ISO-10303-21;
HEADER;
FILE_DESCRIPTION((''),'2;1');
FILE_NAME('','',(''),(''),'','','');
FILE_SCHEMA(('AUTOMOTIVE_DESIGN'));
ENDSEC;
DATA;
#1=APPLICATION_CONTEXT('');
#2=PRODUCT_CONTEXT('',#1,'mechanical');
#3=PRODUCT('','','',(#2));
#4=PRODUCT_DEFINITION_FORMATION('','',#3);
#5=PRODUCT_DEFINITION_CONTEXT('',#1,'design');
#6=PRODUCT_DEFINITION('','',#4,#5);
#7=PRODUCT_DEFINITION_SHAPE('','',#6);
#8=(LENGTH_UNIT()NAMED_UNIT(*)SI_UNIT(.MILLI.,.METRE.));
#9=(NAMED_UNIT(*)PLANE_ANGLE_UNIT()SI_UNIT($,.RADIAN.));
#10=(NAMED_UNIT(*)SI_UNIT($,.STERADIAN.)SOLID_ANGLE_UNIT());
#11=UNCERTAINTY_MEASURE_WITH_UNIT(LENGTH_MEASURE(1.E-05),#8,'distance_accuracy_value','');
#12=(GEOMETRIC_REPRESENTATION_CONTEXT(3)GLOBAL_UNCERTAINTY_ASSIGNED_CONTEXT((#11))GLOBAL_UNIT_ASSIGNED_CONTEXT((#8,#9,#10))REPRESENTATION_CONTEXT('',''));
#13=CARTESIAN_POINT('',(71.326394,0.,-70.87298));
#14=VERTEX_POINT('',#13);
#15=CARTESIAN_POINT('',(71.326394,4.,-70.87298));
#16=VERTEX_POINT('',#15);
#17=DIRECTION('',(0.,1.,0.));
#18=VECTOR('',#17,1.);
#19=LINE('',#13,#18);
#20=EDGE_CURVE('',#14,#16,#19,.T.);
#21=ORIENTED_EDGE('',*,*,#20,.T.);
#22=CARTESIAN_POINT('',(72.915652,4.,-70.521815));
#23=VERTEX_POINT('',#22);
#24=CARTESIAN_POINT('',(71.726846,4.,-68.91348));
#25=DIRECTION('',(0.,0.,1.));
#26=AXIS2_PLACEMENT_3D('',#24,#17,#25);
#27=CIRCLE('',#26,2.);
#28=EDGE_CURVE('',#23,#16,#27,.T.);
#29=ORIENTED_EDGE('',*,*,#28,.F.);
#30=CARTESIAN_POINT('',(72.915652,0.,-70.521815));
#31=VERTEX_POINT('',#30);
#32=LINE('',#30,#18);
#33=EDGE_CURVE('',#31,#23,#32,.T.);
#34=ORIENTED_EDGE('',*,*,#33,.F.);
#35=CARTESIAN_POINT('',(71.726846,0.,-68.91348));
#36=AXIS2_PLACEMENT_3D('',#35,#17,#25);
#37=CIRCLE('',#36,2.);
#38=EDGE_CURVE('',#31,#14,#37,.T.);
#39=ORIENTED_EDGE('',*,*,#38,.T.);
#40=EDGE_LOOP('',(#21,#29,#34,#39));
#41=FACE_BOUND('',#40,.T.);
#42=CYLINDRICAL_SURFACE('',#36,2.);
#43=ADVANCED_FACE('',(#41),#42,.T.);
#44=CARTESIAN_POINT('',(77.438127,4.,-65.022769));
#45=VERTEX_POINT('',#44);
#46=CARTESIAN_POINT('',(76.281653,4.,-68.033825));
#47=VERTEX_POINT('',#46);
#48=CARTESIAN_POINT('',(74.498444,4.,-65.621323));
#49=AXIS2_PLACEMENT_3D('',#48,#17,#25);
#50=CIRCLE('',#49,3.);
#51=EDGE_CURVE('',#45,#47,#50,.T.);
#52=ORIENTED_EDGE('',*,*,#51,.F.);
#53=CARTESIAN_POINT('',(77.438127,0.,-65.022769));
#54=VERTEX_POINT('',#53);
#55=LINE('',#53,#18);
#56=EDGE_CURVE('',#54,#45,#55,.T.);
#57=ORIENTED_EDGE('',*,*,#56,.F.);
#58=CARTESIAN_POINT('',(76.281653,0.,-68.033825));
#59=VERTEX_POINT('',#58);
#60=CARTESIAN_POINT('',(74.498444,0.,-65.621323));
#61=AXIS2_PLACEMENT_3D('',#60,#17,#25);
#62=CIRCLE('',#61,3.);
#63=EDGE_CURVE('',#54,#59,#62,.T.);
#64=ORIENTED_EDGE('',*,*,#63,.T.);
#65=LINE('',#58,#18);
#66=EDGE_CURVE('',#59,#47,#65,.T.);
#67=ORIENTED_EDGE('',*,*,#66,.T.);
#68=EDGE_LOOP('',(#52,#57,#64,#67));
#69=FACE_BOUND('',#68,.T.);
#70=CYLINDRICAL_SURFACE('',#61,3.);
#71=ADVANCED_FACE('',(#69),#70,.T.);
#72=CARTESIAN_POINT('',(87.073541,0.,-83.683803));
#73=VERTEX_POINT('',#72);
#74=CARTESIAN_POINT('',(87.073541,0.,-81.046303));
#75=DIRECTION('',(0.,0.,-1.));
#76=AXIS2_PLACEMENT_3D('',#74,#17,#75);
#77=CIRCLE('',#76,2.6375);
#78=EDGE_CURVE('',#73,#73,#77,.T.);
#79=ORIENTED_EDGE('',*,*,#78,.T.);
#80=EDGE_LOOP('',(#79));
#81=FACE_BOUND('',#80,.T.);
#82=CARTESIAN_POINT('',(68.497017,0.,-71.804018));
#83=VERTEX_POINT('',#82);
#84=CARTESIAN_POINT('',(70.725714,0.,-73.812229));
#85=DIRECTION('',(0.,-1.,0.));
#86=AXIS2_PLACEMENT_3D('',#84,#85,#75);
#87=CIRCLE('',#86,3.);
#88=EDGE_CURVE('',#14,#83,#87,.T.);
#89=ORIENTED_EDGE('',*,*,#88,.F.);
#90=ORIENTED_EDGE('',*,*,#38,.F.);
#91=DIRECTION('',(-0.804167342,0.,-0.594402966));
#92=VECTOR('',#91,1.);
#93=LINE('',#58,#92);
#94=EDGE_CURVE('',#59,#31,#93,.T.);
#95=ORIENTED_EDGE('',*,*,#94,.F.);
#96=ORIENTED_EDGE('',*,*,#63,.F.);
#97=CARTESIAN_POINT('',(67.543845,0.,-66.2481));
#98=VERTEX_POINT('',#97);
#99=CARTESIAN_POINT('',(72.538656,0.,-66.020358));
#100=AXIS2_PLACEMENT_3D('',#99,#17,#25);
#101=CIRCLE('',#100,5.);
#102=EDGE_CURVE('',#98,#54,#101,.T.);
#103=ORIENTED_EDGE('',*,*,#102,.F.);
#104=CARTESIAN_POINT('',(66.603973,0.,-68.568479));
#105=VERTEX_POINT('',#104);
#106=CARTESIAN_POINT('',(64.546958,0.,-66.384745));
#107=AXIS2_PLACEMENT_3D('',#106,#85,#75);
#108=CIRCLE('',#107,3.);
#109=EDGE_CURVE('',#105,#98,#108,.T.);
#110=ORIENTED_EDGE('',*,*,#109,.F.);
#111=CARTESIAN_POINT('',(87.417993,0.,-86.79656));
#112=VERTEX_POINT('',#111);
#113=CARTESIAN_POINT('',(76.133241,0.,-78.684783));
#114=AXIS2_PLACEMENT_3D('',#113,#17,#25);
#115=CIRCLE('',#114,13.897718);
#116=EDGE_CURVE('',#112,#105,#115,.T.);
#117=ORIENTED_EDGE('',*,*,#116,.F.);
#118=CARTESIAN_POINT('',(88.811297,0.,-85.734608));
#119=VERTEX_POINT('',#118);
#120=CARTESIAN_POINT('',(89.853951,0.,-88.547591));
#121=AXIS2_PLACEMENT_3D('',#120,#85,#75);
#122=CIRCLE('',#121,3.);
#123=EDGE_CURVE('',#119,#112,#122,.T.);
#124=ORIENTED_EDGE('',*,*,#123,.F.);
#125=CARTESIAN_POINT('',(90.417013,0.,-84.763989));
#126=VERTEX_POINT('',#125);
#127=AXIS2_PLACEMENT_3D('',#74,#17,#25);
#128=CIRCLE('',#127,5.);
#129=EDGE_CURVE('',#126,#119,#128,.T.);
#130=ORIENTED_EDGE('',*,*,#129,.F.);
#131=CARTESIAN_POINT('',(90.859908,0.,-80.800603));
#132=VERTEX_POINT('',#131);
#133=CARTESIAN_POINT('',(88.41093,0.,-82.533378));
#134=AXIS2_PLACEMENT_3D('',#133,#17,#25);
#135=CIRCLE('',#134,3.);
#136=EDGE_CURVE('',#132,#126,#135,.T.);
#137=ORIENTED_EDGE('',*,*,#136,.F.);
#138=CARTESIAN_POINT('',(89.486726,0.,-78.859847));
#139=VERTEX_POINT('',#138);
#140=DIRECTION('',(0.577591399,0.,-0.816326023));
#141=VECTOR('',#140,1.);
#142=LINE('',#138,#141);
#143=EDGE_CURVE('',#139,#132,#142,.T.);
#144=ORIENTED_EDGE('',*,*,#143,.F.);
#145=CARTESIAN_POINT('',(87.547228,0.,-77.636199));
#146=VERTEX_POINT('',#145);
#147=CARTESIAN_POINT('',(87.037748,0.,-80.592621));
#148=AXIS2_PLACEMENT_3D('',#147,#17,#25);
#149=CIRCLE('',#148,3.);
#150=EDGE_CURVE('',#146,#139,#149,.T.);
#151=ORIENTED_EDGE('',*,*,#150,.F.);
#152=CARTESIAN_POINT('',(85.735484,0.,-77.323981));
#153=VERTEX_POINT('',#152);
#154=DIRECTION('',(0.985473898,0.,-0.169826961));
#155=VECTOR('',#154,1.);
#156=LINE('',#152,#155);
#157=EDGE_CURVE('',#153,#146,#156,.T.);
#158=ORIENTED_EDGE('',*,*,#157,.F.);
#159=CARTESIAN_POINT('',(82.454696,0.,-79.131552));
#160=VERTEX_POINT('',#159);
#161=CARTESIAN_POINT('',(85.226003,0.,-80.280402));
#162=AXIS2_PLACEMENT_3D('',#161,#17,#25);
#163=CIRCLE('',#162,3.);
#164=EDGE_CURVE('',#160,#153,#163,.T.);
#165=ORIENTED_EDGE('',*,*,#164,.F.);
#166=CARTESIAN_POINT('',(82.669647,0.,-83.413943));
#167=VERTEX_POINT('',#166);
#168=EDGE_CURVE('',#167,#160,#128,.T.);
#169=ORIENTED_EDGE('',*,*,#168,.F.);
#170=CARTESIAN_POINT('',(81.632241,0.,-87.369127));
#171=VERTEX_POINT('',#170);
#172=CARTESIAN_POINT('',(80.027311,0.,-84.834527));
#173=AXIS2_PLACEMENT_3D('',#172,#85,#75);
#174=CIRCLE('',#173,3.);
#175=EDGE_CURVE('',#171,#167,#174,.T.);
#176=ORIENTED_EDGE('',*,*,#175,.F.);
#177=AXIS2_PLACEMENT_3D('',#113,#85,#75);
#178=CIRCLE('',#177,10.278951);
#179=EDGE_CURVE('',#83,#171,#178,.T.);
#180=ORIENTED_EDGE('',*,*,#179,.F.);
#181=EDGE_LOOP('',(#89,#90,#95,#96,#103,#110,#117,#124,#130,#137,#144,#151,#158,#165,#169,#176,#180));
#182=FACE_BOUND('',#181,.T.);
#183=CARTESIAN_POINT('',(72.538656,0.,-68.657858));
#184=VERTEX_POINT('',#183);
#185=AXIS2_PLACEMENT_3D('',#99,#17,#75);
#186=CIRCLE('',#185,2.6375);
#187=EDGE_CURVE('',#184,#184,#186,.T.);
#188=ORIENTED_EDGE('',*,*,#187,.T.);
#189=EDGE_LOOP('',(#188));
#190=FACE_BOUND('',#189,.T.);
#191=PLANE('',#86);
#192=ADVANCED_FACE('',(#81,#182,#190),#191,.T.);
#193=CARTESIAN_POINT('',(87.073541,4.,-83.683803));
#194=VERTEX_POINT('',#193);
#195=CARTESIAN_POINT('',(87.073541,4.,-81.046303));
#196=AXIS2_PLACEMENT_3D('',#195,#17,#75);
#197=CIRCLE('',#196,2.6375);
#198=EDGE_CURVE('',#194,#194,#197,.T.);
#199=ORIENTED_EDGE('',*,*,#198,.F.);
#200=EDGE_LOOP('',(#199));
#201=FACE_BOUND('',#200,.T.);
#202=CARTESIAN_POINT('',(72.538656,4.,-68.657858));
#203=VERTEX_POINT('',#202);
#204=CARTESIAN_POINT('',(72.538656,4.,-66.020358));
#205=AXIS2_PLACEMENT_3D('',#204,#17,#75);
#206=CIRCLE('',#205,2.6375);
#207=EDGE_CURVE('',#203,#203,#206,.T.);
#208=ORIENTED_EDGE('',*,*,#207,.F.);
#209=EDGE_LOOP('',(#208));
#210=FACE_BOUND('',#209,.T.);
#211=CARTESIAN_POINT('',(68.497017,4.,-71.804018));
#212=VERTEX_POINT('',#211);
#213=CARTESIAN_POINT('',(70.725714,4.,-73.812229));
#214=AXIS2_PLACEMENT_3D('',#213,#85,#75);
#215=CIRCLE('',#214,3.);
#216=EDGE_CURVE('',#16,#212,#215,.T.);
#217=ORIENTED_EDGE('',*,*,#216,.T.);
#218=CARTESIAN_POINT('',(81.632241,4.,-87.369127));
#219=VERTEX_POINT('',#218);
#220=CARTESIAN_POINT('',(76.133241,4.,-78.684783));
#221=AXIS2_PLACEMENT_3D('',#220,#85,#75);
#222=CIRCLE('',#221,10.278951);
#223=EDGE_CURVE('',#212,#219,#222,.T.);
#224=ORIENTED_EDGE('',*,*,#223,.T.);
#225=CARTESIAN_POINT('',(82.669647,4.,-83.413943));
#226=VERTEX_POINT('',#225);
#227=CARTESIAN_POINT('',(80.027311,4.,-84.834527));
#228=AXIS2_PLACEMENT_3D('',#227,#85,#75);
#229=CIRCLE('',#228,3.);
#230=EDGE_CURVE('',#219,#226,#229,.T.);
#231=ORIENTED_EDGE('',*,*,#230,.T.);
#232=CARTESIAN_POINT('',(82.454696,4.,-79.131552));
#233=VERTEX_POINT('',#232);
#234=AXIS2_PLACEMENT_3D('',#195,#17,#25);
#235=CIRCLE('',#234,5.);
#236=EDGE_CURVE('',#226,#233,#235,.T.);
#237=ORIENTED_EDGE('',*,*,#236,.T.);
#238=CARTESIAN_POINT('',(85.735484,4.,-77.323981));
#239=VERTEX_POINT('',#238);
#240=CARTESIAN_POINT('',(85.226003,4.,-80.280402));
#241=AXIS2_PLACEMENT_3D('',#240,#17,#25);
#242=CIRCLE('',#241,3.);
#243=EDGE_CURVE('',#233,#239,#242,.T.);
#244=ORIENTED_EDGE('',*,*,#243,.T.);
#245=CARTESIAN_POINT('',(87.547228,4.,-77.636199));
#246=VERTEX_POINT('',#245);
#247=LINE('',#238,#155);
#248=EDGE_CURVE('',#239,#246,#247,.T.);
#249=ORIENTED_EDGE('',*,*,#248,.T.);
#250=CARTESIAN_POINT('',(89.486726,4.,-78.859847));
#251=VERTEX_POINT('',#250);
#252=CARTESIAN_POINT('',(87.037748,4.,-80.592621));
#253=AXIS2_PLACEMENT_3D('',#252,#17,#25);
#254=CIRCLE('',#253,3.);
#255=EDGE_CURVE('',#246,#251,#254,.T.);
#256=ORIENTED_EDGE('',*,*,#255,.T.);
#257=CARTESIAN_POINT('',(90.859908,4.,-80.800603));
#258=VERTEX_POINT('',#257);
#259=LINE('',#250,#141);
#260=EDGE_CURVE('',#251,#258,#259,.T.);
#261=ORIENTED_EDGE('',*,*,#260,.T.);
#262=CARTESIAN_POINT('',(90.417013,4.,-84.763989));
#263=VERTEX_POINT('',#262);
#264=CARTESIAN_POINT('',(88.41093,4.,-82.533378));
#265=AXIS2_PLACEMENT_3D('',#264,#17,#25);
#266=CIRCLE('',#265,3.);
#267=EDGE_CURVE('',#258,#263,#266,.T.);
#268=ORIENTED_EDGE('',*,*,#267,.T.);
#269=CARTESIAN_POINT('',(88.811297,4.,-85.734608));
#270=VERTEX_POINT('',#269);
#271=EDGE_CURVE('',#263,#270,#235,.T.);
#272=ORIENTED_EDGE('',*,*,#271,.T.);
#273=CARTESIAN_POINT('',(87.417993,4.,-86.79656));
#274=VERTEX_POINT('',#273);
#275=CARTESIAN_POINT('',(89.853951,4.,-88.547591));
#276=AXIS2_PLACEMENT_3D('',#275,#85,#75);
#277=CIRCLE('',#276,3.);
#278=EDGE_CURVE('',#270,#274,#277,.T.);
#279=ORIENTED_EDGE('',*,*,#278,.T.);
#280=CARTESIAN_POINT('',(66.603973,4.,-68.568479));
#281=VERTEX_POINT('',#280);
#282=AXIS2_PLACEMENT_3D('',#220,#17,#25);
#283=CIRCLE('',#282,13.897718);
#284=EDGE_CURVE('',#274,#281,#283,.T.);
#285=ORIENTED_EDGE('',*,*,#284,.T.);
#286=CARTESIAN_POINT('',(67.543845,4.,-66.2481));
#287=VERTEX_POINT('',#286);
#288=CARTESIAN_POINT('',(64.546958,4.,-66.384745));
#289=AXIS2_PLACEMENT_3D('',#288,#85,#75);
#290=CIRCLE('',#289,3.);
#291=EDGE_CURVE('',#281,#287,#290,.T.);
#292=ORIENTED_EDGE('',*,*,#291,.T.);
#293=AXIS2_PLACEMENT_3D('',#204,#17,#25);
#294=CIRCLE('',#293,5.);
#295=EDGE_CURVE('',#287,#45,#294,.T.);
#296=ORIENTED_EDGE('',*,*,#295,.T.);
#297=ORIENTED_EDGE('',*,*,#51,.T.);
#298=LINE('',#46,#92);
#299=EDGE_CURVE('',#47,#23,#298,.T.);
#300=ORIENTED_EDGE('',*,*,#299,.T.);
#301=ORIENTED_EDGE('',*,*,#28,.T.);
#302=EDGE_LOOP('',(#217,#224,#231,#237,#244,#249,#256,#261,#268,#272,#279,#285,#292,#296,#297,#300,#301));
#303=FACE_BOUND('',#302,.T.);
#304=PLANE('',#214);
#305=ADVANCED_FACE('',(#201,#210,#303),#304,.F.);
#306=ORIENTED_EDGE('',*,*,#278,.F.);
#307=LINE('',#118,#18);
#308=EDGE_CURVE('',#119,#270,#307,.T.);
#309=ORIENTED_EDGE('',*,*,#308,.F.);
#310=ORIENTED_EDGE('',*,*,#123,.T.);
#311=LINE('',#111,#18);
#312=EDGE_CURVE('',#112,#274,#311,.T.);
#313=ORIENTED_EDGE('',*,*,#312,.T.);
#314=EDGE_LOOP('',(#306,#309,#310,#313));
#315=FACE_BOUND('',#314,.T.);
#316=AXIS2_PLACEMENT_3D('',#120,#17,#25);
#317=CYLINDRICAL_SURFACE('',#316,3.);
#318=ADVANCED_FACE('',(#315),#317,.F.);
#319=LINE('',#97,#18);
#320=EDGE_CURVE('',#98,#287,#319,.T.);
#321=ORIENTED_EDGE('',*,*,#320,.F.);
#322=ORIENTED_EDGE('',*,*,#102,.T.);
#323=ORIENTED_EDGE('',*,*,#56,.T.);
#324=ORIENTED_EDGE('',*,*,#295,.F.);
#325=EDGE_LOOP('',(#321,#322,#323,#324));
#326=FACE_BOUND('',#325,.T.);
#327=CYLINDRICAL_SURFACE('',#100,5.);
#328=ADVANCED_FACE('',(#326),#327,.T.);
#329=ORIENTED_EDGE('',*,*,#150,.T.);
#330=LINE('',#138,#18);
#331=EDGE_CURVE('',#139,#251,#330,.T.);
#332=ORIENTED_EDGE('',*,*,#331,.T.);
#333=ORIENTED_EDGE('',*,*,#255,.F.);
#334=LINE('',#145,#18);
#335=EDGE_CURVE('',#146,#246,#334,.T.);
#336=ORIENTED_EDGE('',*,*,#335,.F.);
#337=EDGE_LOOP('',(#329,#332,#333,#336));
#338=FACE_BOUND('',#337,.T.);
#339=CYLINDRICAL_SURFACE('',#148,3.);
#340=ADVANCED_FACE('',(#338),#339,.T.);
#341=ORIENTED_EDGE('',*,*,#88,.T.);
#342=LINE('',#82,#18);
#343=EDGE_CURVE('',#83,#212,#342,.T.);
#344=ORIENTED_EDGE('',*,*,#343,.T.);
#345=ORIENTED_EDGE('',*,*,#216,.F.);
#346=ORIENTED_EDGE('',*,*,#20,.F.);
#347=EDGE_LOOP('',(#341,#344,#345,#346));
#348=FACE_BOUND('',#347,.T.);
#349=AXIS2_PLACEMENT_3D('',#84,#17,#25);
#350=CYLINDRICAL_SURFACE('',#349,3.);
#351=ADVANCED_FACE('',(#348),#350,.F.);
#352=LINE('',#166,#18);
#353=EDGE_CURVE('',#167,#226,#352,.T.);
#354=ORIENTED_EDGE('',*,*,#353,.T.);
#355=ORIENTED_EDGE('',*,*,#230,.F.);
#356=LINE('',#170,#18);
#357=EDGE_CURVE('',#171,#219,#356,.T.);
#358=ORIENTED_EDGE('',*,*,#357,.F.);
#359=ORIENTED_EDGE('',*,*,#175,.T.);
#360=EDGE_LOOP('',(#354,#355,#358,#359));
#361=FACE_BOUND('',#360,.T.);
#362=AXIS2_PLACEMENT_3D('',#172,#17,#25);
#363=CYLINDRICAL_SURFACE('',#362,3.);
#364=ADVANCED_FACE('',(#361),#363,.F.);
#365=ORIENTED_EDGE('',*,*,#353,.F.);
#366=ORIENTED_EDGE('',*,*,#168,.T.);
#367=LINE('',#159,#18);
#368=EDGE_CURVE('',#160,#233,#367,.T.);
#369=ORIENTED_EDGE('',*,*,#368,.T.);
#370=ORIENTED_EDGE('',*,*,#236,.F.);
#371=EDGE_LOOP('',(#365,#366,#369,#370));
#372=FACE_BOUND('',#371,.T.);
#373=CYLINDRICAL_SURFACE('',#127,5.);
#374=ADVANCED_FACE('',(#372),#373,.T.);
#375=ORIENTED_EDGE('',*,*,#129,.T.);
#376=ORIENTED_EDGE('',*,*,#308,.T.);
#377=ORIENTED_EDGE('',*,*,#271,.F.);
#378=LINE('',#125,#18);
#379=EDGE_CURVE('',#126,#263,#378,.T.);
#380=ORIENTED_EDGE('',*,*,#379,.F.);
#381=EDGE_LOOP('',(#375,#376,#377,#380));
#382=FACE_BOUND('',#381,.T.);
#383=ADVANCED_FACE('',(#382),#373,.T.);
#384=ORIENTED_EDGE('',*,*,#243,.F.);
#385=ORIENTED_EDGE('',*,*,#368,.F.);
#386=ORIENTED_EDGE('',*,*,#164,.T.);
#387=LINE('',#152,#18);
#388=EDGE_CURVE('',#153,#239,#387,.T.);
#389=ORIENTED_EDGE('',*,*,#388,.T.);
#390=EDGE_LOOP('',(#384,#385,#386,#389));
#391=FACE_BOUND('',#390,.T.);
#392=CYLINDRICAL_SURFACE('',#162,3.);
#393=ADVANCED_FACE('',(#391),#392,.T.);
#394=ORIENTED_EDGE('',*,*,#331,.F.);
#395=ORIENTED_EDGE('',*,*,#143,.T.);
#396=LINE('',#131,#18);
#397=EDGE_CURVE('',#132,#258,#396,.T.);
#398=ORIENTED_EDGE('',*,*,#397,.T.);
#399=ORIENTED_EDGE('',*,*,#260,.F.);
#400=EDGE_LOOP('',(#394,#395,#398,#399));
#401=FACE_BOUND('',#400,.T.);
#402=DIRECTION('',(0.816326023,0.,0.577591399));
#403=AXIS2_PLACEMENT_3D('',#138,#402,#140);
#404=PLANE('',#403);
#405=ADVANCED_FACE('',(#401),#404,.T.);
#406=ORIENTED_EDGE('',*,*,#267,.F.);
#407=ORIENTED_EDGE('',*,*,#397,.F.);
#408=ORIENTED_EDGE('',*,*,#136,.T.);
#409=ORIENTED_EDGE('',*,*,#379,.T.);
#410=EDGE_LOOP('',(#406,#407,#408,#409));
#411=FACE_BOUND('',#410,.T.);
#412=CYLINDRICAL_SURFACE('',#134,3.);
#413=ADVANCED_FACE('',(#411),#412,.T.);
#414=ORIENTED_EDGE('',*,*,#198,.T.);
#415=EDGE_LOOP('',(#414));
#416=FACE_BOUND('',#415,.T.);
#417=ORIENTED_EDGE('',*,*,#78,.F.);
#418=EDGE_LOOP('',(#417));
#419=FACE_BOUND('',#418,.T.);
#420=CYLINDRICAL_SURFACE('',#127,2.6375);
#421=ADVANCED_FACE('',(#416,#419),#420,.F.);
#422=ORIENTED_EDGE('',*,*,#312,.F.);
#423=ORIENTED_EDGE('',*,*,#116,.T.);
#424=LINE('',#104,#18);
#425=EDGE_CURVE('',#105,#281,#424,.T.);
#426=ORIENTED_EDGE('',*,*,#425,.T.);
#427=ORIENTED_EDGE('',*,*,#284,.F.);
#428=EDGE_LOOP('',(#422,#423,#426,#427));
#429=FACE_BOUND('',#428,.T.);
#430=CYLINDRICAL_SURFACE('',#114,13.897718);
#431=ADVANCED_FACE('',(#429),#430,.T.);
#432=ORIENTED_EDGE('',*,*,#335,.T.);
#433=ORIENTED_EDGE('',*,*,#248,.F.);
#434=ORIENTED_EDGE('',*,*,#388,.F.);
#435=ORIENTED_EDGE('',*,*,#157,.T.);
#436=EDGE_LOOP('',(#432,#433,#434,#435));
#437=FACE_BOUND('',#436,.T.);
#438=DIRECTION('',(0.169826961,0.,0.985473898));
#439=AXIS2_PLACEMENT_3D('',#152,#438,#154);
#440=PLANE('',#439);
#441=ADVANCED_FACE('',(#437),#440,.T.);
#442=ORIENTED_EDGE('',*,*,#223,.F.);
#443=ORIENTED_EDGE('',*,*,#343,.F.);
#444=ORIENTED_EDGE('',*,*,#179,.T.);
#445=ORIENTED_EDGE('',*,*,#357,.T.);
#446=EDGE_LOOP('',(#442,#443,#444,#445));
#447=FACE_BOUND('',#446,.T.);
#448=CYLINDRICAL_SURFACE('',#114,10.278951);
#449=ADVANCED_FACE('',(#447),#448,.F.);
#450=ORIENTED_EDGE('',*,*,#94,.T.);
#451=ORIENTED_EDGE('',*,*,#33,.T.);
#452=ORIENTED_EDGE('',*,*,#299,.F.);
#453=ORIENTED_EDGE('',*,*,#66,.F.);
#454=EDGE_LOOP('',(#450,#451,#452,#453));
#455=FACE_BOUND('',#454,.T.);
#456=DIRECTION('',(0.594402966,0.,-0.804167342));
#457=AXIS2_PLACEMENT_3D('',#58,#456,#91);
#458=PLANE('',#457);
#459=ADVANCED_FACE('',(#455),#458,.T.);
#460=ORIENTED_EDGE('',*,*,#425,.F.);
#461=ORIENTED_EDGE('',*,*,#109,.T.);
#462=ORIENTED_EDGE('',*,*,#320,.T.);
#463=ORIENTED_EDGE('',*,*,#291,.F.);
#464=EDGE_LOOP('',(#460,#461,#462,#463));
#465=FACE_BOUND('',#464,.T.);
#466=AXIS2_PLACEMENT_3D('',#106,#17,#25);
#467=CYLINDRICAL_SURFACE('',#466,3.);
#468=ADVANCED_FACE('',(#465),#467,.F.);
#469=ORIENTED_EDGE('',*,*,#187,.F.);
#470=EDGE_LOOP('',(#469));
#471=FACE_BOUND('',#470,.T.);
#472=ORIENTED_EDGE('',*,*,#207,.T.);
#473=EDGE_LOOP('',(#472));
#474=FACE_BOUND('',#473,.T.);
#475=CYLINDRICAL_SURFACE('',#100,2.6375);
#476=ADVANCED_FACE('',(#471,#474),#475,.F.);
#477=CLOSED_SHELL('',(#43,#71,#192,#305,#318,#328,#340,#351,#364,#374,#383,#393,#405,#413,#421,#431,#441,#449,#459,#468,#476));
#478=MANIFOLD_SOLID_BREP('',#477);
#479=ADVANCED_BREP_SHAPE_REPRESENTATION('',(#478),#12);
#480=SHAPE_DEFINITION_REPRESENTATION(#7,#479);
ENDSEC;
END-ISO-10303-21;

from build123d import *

# Parameters (mm, degrees)
SKETCH1_R           = 2.6375
BOSS_EXTRUDE1_DEPTH = 4


with BuildPart() as part:
    # Sketch1 → Boss-Extrude1 (new body)
    with BuildSketch(Plane(origin=(0, 4, 0), x_dir=(1, 0, 0), z_dir=(0, 1, 0))):
        with BuildLine():
            Line((85.735483712, 77.323980784), (87.547228424, 77.6361992))
            ThreePointArc((87.547228424, 77.6361992), (88.638512401, 78.055387782), (89.486725608, 78.859846695))
            Line((89.486725608, 78.859846695), (90.859907816, 80.800603382))
            ThreePointArc((90.859907816, 80.800603382), (91.392372444, 82.866543385), (90.417013283, 84.763989347))
            ThreePointArc((90.417013283, 84.763989347), (89.660091993, 85.325292733), (88.8112973, 85.73460789))
            ThreePointArc((88.8112973, 85.73460789), (88.035402119, 86.161615284), (87.417993221, 86.796560083))
            ThreePointArc((87.417993221, 86.796560083), (66.977031359, 89.139944323), (66.603972706, 68.568478678))
            ThreePointArc((66.603972706, 68.568478678), (67.327519051, 67.51101449), (67.543844855, 66.248100016))
            ThreePointArc((67.543844855, 66.248100016), (71.92413831, 61.058265048), (77.438126505, 65.022769043))
            ThreePointArc((77.438126505, 65.022769043), (77.298986696, 66.69694337), (76.281652818, 68.033824571))
            Line((76.281652818, 68.033824571), (72.915652336, 70.521815026))
            ThreePointArc((72.915652336, 70.521815026), (72.158360379, 70.866374525), (71.326393596, 70.872979652))
            ThreePointArc((71.326393596, 70.872979652), (69.787994238, 70.962547772), (68.497017033, 71.804018441))
            ThreePointArc((68.497017033, 71.804018441), (68.277664092, 85.314017723), (81.632240885, 87.369127207))
            ThreePointArc((81.632240885, 87.369127207), (82.929152896, 85.595651679), (82.669646853, 83.413942984))
            ThreePointArc((82.669646853, 83.413942984), (82.079827473, 81.296958117), (82.454695982, 79.131551589))
            ThreePointArc((82.454695982, 79.131551589), (83.778317702, 77.652816556), (85.735483712, 77.323980784))
        make_face()
        with Locations((72.538655529, 66.020358214)):
            Circle(SKETCH1_R, mode=Mode.SUBTRACT)
        with Locations((87.073540725, 81.04630307)):
            Circle(SKETCH1_R, mode=Mode.SUBTRACT)
    extrude(amount=-BOSS_EXTRUDE1_DEPTH)


solid = part.part
